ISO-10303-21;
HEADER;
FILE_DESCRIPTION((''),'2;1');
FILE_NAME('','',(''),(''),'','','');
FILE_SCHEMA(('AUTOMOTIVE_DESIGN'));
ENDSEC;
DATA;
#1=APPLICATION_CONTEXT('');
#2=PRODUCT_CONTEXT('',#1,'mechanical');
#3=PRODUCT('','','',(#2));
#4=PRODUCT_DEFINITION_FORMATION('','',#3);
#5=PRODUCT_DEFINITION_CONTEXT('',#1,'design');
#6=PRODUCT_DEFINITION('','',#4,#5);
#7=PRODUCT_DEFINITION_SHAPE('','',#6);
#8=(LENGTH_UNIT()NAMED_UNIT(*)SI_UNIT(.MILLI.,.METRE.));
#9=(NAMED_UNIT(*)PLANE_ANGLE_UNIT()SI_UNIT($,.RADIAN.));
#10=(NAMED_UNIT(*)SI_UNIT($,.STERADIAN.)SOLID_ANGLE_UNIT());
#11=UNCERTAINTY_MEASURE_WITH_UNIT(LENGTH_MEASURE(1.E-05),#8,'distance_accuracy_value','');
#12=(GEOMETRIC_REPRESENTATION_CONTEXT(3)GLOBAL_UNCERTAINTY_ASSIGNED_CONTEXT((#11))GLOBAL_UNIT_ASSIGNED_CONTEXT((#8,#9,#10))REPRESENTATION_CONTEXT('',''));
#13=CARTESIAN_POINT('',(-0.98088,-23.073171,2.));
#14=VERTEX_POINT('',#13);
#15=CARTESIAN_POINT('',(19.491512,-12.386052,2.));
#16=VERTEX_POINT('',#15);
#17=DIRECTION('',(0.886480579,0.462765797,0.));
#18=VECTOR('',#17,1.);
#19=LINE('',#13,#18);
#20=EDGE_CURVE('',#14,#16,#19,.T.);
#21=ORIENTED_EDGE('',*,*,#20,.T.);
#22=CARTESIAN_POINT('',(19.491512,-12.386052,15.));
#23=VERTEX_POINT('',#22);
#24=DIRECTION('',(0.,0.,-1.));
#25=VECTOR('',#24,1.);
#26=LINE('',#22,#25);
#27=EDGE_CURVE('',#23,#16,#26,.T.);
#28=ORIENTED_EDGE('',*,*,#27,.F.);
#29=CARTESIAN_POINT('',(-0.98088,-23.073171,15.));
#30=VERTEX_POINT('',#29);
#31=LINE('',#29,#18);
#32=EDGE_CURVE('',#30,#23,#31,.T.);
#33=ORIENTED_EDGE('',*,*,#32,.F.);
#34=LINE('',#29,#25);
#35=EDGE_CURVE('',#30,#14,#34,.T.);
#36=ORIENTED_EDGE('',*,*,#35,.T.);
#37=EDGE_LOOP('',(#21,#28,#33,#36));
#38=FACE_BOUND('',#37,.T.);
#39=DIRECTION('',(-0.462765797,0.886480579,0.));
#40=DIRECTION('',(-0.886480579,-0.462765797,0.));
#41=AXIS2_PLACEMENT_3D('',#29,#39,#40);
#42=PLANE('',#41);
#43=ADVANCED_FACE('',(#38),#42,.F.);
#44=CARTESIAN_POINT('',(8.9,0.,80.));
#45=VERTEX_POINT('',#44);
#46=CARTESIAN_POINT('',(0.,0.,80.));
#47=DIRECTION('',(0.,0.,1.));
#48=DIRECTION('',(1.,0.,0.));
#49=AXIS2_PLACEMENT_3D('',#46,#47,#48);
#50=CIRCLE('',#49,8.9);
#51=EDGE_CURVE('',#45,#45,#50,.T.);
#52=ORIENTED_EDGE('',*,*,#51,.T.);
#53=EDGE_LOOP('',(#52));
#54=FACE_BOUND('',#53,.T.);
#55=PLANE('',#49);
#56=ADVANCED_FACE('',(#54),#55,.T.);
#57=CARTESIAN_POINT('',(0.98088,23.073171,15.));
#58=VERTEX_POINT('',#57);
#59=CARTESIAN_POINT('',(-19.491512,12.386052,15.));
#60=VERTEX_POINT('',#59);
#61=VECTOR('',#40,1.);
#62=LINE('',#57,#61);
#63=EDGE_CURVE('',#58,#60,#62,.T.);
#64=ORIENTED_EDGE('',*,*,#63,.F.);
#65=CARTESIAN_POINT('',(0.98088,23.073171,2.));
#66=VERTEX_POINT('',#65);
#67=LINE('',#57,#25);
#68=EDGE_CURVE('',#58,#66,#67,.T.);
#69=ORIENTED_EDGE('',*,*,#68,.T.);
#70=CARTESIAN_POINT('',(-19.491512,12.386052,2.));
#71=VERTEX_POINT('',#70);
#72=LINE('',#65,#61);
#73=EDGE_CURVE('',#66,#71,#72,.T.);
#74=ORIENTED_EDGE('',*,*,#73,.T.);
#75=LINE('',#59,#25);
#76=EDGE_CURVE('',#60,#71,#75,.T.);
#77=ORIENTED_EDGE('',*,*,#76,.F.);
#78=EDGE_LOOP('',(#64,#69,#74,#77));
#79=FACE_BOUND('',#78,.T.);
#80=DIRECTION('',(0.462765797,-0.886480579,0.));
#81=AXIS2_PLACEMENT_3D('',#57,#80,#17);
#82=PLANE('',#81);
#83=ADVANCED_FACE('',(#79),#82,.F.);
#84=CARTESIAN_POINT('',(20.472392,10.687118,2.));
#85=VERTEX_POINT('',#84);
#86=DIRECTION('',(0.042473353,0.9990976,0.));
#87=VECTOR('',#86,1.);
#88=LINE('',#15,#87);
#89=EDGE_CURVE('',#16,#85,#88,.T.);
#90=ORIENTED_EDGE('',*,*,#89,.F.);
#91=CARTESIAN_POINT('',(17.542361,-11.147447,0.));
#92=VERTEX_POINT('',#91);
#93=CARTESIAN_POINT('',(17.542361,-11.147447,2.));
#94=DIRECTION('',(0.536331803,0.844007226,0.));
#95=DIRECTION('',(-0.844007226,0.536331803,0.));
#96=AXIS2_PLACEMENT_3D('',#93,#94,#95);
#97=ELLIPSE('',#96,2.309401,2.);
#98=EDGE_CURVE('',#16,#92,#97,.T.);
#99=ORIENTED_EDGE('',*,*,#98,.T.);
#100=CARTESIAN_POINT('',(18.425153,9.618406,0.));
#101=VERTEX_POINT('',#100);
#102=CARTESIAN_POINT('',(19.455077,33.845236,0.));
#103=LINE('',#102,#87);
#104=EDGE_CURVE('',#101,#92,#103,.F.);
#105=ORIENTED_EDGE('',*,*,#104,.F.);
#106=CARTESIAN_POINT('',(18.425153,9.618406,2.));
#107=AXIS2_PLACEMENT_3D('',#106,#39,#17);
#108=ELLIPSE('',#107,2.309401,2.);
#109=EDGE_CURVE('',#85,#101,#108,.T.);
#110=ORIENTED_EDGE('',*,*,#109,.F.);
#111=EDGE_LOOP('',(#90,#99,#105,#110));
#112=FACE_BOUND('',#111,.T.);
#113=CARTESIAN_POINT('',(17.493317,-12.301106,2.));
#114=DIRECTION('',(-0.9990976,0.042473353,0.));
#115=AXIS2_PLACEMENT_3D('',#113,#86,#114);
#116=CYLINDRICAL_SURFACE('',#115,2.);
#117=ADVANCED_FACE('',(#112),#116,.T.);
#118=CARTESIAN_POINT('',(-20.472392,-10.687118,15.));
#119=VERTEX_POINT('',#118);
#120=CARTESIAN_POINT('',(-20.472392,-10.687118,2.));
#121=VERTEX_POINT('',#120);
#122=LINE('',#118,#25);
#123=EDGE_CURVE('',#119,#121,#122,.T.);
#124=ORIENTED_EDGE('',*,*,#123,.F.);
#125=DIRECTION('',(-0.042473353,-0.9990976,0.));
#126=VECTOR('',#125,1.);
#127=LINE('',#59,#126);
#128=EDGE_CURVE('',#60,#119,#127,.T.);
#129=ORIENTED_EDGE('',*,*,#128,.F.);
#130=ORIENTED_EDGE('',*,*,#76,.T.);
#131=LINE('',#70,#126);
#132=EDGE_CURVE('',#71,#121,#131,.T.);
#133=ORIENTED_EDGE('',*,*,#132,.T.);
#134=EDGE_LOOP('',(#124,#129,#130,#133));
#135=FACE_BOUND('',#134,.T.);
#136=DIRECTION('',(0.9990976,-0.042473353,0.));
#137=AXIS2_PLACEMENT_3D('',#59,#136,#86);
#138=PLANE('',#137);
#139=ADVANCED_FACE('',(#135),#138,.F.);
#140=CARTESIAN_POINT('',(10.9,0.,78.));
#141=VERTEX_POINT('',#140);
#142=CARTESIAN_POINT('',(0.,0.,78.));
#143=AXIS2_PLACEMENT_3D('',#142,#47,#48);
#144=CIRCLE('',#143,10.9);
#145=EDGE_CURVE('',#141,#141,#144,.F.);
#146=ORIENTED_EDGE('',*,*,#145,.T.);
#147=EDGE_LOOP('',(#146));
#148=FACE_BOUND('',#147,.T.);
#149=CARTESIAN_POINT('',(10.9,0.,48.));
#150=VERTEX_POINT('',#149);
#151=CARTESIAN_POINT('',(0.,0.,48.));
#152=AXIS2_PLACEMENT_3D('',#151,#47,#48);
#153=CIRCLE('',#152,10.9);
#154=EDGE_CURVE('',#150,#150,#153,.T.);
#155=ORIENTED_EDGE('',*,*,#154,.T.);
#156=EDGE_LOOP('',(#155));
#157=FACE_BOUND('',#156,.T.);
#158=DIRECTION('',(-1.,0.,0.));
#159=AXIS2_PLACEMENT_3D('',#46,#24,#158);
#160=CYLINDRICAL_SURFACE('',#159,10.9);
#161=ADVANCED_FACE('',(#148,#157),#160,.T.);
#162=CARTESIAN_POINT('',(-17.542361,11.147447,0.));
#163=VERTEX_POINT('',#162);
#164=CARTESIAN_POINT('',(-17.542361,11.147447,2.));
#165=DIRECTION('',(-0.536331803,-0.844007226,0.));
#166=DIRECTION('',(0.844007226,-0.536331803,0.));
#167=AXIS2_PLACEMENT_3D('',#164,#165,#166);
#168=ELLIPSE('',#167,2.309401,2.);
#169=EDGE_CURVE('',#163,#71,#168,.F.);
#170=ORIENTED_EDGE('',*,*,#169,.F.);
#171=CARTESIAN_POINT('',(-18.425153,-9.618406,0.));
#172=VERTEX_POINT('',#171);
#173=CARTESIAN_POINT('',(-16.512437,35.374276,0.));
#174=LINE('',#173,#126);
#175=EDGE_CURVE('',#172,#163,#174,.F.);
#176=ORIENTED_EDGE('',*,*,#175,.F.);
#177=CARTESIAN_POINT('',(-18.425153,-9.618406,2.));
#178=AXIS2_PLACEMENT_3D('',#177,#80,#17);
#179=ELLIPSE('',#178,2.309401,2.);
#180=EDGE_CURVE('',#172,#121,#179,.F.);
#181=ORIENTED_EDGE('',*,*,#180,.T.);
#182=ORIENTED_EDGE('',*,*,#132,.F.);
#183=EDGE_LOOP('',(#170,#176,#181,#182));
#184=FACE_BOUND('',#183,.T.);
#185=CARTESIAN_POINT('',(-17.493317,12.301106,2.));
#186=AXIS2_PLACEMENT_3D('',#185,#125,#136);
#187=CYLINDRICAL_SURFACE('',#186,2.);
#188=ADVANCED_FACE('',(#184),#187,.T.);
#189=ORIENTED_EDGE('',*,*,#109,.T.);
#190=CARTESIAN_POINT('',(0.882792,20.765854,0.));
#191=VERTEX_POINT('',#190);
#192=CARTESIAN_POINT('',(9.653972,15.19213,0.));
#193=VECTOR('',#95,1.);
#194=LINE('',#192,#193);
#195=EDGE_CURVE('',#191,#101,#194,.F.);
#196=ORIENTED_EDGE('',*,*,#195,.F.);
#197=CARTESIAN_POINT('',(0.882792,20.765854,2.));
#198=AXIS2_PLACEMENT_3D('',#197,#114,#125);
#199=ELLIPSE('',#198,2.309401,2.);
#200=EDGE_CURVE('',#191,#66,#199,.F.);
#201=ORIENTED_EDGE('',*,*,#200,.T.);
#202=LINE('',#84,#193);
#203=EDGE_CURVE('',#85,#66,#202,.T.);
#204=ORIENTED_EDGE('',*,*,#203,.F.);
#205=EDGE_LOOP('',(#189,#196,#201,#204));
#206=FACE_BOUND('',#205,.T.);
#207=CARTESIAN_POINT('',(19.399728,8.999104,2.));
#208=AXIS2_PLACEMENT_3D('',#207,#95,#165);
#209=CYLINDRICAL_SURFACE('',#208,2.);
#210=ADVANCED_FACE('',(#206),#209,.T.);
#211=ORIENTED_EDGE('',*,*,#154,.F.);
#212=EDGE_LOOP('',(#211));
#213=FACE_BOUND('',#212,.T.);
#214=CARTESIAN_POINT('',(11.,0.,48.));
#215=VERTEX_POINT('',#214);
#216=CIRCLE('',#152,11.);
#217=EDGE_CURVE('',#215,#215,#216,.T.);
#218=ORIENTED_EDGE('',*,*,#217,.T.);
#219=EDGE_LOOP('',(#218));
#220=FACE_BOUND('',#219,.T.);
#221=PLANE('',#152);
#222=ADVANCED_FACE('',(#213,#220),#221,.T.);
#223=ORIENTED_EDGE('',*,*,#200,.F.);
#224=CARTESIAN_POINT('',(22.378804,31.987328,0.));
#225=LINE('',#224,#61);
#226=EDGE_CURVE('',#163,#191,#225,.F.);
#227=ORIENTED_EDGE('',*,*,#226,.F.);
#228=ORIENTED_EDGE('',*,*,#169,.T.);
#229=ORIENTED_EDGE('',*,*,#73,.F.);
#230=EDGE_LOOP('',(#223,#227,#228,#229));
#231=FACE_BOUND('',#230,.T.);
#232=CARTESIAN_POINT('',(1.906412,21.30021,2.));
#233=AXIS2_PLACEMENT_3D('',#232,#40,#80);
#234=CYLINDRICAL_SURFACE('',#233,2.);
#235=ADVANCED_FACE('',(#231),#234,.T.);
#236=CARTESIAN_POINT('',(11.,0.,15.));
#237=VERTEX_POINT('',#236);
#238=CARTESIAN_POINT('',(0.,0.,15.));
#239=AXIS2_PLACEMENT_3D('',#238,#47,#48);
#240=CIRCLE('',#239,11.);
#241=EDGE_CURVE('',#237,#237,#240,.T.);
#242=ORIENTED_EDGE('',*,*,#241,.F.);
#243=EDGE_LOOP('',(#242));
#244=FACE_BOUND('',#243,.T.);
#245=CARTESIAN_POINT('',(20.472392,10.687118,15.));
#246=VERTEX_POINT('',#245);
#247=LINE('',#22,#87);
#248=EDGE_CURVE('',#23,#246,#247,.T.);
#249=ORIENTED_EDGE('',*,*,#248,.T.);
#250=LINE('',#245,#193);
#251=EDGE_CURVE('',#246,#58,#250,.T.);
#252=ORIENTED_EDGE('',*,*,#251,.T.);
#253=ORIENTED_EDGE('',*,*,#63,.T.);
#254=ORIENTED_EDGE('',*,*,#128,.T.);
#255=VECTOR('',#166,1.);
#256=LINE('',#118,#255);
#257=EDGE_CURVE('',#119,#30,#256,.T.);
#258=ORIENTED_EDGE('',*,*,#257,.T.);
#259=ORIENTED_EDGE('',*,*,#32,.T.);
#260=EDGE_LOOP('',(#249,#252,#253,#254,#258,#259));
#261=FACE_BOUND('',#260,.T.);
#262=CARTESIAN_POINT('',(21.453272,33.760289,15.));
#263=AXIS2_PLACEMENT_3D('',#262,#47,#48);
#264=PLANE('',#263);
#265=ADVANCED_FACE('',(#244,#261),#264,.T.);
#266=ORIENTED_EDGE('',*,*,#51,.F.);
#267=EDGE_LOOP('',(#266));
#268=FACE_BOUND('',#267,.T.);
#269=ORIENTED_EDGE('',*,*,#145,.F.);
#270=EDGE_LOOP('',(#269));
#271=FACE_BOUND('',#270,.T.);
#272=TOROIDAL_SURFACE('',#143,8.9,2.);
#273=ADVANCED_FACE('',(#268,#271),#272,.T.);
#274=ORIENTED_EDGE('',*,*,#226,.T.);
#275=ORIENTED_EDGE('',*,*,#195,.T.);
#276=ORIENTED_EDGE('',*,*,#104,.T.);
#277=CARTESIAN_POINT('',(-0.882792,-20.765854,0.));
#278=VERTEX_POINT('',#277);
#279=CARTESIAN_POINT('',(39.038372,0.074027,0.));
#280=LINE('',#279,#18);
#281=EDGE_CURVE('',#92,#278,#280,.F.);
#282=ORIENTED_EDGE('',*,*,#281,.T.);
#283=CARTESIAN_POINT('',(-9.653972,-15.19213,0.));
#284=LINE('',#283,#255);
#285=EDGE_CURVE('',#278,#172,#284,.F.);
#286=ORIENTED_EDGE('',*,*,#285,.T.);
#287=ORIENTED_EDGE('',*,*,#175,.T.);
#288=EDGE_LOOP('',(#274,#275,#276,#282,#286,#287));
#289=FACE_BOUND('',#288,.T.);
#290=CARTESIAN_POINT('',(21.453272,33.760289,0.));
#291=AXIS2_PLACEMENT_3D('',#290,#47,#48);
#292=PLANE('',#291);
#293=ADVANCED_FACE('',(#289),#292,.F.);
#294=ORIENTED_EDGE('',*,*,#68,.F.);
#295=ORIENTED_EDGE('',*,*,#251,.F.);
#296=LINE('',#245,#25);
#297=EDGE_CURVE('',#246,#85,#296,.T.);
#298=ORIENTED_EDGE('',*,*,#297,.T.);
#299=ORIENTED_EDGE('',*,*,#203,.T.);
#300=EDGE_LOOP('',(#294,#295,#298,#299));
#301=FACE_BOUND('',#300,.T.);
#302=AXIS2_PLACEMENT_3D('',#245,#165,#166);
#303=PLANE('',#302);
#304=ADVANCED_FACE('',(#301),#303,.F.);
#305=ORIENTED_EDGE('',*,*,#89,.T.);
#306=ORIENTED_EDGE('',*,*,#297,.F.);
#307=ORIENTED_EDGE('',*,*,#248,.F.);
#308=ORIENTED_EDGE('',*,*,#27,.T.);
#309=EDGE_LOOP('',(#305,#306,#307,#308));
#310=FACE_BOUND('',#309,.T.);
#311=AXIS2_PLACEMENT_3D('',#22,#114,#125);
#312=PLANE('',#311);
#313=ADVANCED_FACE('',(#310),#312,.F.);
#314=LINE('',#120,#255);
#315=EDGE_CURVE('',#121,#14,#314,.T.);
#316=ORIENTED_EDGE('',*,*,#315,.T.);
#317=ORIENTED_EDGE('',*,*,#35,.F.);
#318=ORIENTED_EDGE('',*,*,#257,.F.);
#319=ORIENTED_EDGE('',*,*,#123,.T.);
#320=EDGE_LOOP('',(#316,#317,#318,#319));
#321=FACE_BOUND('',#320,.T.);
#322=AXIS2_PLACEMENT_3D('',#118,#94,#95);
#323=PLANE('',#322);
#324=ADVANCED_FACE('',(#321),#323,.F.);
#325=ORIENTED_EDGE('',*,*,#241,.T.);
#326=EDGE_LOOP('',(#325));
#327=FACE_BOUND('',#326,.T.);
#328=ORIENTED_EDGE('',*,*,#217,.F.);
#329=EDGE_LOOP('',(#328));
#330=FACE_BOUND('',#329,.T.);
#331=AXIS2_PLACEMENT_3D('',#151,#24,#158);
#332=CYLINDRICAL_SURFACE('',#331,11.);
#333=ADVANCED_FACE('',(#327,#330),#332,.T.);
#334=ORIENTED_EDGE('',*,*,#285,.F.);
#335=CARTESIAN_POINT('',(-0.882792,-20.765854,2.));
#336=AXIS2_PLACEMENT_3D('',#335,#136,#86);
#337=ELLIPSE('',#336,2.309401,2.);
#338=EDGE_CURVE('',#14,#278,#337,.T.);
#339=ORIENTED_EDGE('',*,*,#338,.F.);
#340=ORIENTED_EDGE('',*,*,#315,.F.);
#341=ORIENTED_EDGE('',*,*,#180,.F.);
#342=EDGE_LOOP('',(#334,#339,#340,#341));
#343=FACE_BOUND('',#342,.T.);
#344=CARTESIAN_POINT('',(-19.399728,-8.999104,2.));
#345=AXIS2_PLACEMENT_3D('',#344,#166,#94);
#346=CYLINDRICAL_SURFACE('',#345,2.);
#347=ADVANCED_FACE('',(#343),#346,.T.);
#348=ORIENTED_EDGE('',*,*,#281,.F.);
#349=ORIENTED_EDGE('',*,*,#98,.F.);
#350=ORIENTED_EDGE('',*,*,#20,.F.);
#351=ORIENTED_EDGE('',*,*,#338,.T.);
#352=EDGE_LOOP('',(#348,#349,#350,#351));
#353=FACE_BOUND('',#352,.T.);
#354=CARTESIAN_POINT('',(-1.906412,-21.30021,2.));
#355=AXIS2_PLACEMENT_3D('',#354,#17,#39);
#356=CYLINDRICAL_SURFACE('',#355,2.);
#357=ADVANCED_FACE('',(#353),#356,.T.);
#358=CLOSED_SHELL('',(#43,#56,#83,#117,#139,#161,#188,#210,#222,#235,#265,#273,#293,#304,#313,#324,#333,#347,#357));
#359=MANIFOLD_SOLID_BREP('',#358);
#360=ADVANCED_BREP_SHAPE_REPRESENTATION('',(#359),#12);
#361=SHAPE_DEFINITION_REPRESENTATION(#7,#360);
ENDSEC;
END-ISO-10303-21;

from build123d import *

# Parameters (mm, degrees)
EXTRUDE_345_DEPTH = 15
SKETCH_2_R        = 11
EXTRUDE_1_DEPTH   = 33
FILLET_3_R        = 2
SKETCH_3_R        = 10.9
EXTRUDE_1_2_DEPTH = 32
FILLET_4_R        = 2


with BuildPart() as part:
    # 草图1 → Extrude 345 (new body)
    with BuildSketch(Plane.XY):
        Polygon((20.472392036, 10.687118304), (0.980880074, 23.073170732), (-19.491511963, 12.386052428), (-20.472392036, -10.687118304), (-0.980880074, -23.073170732), (19.491511963, -12.386052428), align=None)
    extrude(amount=EXTRUDE_345_DEPTH)

    # 草图2 → Extrude 1 (add)
    with BuildSketch(Plane.XY.offset(15)):
        Circle(SKETCH_2_R)
    extrude(amount=EXTRUDE_1_DEPTH)

    # 圆角3
    fillet_3_edges = [part.edges().sort_by_distance(p)[0] for p in [
        (9.255315945, -17.72961158, 0),
        (-10.726636055, -16.880144518, 0),
        (-19.981952, 0.849467062, 0),
        (-9.255315945, 17.72961158, 0),
        (10.726636055, 16.880144518, 0),
        (19.981952, -0.849467062, 0),
    ]]
    fillet(fillet_3_edges, radius=FILLET_3_R)

    # 草图3 → Extrude 1 2 (add)
    with BuildSketch(Plane.XY.offset(48)):
        Circle(SKETCH_3_R)
    extrude(amount=EXTRUDE_1_2_DEPTH)

    # 圆角4
    fillet_4_edges = [part.edges().sort_by_distance(p)[0] for p in [
        (-10.9, 0, 80),
    ]]
    fillet(fillet_4_edges, radius=FILLET_4_R)


solid = part.part
